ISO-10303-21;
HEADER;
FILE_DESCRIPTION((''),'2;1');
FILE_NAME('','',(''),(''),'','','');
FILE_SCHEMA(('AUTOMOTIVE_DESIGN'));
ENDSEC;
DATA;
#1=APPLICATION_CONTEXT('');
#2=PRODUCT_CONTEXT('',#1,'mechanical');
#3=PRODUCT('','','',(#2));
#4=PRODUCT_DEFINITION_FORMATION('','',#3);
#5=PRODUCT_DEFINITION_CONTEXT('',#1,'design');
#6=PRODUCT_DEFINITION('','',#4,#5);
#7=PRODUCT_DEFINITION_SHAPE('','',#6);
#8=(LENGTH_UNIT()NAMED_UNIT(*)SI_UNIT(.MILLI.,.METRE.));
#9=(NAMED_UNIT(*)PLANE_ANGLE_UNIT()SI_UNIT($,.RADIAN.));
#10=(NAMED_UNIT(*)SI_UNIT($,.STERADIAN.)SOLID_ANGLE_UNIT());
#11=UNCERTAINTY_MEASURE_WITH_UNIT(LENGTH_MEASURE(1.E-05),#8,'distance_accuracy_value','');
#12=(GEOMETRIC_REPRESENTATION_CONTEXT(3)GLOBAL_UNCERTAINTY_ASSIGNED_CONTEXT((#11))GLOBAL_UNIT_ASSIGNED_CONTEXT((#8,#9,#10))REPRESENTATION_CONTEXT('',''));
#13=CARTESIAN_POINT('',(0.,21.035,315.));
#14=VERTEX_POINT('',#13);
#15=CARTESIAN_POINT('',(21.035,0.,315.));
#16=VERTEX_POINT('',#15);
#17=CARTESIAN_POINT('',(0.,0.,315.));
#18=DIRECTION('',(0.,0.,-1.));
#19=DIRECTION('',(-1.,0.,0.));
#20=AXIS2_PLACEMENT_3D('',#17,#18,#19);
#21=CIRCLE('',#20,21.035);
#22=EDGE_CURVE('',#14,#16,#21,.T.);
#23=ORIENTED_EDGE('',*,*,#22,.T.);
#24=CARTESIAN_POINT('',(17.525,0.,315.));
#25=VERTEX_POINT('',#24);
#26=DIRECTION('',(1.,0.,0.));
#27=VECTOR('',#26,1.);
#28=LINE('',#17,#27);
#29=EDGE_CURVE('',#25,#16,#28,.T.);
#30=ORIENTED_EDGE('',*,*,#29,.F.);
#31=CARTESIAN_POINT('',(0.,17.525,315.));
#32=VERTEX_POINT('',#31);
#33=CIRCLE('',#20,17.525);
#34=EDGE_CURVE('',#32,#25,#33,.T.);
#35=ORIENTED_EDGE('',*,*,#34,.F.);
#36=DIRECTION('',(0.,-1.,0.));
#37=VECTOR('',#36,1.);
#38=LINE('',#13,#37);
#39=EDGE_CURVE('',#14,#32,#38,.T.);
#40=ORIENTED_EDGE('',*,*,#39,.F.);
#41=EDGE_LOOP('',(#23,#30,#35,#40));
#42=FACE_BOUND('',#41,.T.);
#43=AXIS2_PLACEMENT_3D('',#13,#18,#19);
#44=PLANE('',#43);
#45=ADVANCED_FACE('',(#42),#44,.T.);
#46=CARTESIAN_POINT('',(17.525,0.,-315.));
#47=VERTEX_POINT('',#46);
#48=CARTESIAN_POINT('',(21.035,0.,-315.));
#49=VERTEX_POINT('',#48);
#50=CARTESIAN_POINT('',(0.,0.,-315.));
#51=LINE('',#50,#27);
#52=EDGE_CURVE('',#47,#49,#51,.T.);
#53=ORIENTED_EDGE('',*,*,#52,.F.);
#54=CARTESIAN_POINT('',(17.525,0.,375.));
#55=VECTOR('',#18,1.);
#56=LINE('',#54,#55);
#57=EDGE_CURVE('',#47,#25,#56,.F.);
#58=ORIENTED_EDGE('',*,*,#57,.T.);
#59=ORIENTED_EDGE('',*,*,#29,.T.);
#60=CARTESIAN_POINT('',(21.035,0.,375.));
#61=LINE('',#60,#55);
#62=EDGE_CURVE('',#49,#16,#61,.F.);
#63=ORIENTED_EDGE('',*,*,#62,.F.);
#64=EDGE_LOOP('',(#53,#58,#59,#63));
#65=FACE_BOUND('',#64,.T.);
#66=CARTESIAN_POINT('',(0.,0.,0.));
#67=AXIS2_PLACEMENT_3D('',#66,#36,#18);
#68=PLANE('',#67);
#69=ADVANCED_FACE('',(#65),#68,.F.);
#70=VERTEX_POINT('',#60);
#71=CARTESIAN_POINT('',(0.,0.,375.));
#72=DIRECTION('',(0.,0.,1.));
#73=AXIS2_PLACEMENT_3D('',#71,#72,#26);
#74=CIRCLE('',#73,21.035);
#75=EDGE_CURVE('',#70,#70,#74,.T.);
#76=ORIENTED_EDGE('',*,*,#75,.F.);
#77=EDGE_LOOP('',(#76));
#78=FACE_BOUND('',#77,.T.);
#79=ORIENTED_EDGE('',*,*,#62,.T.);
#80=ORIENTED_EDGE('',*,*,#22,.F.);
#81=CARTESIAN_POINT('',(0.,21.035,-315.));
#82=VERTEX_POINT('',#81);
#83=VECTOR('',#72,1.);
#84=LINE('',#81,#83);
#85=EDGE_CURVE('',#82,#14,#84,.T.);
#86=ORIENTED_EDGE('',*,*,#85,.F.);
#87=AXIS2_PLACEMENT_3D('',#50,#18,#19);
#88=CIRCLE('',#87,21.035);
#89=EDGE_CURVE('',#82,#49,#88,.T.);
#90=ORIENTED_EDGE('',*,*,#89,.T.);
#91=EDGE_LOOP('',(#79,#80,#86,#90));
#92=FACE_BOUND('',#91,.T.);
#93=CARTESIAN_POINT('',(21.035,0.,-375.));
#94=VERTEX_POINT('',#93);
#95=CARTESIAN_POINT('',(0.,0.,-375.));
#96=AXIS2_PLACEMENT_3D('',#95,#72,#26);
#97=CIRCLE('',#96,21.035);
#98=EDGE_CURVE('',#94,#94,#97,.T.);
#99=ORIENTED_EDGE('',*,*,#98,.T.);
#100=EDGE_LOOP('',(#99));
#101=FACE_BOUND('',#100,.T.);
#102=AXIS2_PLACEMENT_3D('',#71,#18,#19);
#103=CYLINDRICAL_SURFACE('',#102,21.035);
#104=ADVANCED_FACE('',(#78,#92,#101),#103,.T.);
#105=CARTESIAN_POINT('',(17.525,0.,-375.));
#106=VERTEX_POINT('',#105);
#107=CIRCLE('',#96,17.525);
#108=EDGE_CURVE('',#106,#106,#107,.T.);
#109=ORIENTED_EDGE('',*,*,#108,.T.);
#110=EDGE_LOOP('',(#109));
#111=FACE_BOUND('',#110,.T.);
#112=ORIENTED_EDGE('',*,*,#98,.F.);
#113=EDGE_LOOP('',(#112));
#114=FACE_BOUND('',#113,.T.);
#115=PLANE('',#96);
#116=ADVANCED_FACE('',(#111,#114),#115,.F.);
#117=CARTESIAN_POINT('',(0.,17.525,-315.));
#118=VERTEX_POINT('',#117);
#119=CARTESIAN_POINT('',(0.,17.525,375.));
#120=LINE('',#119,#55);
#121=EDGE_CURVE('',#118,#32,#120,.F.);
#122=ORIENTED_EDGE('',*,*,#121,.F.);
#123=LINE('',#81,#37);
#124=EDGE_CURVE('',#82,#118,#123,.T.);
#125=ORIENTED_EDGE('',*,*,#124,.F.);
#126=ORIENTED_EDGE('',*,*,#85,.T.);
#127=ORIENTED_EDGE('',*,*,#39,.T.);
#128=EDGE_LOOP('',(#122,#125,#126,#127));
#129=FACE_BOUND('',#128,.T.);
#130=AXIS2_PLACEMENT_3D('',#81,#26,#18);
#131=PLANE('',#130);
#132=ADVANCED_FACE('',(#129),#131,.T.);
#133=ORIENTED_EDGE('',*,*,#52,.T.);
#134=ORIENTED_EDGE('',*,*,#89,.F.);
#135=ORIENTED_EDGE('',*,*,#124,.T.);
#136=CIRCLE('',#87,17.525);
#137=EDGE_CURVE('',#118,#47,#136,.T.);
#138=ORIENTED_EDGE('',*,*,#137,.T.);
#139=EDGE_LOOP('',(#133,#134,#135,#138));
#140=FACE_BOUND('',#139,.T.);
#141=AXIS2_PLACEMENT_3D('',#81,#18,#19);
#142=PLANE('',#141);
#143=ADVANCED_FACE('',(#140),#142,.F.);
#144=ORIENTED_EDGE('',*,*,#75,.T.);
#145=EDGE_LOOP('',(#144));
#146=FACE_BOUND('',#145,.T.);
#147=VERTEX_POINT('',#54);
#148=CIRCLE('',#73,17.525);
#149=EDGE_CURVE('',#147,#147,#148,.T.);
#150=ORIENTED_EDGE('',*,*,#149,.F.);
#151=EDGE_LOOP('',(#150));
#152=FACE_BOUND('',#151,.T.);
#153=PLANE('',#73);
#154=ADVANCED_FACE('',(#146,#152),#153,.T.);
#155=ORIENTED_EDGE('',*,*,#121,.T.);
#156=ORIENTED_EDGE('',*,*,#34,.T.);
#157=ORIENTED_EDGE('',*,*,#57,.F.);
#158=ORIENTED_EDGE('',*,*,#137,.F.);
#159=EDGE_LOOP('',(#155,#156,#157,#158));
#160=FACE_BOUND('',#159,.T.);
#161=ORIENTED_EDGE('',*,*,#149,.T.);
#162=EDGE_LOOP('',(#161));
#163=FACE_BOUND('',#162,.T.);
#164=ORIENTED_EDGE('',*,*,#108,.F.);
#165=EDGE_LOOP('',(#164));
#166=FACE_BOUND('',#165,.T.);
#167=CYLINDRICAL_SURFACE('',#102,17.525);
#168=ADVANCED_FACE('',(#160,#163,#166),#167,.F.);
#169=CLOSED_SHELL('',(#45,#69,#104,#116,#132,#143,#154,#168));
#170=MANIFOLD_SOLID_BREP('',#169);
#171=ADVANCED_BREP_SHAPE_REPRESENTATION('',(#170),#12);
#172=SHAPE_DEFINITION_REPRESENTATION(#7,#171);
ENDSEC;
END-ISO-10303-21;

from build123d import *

# Parameters (mm, degrees)
SKIZZE1_R                       = 21.035
SKIZZE1_R_2                     = 17.525
AUFSATZ_LINEAR_AUSTRAGEN1_DEPTH = 375
SKIZZE2_W                       = 50
SKIZZE2_H                       = 630
SCHNITT_LINEAR_AUSTRAGEN1_DEPTH = 377.178072793


with BuildPart() as part:
    # Skizze1 → Aufsatz-Linear austragen1 (new, symmetric)
    with BuildSketch(Plane.XY):
        Circle(SKIZZE1_R)
        Circle(SKIZZE1_R_2, mode=Mode.SUBTRACT)
    extrude(amount=AUFSATZ_LINEAR_AUSTRAGEN1_DEPTH, both=True)

    # Skizze2 → Schnitt-Linear austragen1 (cut, through all)
    with BuildSketch(Plane(origin=(0, 0, 0), x_dir=(1, 0, 0), z_dir=(0, 1, 0))):
        with Locations((25, 0)):
            Rectangle(SKIZZE2_W, SKIZZE2_H)
    extrude(amount=SCHNITT_LINEAR_AUSTRAGEN1_DEPTH, mode=Mode.SUBTRACT)


solid = part.part
